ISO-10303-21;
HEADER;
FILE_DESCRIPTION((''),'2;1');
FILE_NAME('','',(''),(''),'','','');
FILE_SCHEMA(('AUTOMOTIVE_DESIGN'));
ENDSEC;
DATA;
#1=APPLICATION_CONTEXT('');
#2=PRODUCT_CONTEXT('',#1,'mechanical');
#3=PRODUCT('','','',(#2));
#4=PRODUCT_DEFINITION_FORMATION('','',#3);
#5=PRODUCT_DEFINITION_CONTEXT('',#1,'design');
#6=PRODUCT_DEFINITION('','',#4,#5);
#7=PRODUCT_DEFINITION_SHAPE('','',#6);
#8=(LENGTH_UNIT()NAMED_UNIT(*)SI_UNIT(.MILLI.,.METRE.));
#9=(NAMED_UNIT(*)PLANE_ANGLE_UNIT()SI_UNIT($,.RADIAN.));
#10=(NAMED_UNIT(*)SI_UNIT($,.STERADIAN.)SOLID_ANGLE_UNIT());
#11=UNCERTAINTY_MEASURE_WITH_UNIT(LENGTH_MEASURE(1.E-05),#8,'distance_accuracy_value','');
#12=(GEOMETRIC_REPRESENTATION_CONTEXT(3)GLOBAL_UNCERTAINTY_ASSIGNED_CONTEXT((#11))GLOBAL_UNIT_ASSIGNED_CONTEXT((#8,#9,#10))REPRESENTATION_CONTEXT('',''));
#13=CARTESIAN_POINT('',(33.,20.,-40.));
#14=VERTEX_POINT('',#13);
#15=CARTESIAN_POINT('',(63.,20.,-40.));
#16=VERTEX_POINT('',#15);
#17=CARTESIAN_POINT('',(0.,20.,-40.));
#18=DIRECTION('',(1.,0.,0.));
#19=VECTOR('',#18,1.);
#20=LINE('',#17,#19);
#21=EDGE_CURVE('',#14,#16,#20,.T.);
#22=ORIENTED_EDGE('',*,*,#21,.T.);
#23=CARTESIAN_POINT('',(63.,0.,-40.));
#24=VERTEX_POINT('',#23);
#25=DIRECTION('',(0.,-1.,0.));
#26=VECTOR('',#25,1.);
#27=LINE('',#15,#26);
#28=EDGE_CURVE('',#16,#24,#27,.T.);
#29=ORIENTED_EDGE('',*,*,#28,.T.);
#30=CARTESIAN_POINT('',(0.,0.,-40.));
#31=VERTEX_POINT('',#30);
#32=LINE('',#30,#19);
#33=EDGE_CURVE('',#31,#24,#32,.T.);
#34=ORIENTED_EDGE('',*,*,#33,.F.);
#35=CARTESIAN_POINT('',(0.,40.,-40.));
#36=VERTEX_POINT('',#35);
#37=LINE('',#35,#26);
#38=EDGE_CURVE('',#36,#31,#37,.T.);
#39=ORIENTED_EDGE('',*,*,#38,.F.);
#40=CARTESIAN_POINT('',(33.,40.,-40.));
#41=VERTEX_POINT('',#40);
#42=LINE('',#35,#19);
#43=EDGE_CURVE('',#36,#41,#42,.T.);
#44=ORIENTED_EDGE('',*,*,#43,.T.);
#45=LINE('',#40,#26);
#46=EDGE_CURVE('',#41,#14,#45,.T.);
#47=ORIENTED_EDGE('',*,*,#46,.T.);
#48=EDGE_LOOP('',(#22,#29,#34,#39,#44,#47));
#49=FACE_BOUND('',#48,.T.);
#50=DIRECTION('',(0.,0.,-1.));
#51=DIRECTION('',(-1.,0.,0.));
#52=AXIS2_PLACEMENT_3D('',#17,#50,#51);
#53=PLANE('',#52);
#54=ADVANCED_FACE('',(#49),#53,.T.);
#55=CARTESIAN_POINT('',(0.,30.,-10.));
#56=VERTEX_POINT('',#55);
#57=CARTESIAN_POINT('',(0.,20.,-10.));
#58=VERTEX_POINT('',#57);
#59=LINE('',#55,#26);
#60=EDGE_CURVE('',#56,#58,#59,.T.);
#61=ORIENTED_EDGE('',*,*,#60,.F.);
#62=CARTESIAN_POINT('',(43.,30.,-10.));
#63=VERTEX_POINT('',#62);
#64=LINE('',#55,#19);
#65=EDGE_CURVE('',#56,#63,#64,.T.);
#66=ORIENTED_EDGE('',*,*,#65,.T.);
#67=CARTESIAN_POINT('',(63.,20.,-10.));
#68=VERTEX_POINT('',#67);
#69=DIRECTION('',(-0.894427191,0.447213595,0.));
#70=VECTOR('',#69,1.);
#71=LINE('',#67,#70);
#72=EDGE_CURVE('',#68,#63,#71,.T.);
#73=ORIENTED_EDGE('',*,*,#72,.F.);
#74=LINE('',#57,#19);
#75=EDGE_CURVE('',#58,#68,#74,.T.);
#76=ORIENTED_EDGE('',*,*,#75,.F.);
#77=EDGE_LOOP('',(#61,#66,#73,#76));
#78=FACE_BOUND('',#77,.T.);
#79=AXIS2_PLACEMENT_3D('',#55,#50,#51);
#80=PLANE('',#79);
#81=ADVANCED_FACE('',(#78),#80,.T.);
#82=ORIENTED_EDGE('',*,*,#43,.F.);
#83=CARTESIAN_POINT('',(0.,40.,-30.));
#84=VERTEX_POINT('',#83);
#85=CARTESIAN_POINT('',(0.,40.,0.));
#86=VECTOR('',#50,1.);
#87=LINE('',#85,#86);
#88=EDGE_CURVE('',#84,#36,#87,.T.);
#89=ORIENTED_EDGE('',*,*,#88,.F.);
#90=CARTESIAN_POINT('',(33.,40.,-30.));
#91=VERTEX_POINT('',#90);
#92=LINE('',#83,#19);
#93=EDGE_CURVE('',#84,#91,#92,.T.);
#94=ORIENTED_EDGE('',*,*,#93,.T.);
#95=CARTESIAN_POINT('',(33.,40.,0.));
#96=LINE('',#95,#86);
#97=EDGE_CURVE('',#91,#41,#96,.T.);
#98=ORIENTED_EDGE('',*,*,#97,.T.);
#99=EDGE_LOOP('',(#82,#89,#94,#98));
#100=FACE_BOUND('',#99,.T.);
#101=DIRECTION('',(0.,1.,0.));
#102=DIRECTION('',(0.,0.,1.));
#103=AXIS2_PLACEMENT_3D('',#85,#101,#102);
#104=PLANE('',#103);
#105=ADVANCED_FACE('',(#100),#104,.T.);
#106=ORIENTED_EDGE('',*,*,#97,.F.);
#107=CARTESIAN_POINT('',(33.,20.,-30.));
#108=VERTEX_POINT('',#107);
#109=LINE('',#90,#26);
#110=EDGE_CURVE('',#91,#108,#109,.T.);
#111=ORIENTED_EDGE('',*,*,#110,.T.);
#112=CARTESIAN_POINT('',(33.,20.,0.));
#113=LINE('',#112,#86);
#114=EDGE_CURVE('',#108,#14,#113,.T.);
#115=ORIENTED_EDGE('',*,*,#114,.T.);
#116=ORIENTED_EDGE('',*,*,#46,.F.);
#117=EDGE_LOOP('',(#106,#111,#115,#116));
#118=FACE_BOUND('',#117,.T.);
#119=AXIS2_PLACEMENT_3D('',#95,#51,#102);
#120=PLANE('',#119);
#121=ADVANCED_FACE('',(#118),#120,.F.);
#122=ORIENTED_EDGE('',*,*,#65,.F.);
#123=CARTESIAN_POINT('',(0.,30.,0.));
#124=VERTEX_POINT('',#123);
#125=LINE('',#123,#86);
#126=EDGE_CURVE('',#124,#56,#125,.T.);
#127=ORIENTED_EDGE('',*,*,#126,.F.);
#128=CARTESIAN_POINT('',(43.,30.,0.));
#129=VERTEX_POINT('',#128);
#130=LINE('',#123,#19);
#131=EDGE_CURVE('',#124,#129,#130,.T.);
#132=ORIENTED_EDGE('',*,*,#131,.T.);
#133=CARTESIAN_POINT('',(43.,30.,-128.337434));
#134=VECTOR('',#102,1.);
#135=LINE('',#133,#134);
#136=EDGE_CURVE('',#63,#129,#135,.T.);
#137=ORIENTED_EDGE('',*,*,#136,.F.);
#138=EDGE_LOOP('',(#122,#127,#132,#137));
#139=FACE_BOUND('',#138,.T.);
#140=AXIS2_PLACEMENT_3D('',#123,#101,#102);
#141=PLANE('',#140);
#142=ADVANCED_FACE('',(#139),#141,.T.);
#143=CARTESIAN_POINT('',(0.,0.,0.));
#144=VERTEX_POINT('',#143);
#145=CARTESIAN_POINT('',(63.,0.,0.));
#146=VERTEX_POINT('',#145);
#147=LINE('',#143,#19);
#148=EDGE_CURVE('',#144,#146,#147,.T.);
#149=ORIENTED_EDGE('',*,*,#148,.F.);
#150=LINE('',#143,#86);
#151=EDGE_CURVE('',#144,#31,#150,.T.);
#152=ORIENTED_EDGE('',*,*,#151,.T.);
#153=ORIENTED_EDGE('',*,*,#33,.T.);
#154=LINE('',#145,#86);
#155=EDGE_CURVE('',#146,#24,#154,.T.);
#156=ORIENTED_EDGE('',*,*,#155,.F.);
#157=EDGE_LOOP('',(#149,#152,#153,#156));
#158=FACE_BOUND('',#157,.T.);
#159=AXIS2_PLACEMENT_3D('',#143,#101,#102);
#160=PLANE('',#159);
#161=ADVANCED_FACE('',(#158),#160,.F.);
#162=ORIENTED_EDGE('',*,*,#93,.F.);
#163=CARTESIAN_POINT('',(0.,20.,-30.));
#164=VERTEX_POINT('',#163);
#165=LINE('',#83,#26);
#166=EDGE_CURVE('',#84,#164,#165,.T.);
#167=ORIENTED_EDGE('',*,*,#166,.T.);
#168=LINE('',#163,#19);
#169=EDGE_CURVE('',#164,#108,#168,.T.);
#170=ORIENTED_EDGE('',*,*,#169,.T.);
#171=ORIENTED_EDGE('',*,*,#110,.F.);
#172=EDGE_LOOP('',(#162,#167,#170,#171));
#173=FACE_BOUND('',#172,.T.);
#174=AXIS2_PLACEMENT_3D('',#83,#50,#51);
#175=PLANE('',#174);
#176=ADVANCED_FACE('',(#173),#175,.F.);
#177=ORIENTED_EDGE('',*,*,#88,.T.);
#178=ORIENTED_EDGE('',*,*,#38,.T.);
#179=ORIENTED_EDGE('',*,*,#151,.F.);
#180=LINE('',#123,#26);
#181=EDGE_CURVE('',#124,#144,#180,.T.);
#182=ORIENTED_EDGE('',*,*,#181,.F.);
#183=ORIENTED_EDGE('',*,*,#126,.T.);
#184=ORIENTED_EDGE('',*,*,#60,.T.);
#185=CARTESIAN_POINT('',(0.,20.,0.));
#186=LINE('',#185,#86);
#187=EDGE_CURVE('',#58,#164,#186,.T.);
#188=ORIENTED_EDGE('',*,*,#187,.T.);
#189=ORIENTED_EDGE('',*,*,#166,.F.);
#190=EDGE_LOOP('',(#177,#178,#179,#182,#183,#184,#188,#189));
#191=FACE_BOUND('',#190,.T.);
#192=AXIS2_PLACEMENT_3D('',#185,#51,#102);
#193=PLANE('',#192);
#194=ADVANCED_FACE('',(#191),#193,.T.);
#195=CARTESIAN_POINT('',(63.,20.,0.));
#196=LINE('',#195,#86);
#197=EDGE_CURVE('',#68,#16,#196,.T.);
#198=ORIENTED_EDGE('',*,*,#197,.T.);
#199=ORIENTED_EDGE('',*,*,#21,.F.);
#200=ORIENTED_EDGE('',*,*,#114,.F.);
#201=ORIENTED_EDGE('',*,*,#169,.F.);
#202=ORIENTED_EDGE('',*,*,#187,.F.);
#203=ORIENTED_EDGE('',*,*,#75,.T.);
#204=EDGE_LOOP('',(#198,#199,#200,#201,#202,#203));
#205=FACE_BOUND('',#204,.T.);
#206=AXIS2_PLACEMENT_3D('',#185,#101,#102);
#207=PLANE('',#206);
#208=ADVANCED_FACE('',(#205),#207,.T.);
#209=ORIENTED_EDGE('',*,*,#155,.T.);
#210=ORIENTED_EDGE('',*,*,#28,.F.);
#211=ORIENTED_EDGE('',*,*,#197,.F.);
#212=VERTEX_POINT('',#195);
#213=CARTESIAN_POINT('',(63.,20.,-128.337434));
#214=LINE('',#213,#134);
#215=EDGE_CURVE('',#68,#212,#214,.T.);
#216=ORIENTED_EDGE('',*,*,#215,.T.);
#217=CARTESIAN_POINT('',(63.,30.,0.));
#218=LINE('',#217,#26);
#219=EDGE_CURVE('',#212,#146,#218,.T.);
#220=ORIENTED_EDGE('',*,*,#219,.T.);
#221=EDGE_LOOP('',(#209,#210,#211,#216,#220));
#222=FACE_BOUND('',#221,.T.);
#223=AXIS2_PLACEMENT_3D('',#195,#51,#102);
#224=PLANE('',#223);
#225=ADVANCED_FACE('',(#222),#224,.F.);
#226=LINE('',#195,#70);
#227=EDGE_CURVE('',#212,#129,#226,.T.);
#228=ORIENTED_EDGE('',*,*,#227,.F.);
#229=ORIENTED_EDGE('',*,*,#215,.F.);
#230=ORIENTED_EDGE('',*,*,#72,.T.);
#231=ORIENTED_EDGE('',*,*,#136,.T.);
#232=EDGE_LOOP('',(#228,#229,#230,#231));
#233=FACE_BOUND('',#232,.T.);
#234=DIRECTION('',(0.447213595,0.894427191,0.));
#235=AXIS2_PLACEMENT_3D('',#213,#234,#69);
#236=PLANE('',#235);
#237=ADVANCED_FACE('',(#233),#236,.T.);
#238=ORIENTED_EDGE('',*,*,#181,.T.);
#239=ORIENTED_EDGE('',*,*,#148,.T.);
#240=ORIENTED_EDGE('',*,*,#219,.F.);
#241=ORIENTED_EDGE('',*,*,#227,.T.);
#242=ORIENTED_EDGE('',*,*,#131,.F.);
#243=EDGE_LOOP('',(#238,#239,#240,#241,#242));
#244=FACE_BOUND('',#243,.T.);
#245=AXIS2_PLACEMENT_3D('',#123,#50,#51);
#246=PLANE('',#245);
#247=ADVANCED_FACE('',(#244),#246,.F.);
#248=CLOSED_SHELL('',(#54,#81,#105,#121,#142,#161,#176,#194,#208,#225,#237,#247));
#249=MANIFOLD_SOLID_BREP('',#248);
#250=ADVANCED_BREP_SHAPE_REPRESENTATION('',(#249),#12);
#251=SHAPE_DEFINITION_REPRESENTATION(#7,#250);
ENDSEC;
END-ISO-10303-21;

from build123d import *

# Parameters (mm, degrees)
BOSS_EXTRUDE1_DEPTH     = 20
SKETCH1_3_W             = 63
SKETCH1_3_H             = 10
BOSS_EXTRUDE2_DEPTH     = 30
SKETCH1_4_W             = 33
SKETCH1_4_H             = 10
BOSS_EXTRUDE3_DEPTH     = 40
CUT_EXTRUDE1_DEPTH      = 31
CUT_EXTRUDE1_DEPTH_BACK = 10


with BuildPart() as part:
    # Sketch1 → Boss-Extrude1 (new body)
    with BuildSketch(Plane(origin=(0, 0, 0), x_dir=(1, 0, 0), z_dir=(0, 1, 0))):
        Polygon((33, 30), (0, 30), (0, 10), (63, 10), (63, 40), (33, 40), align=None)
    extrude(amount=BOSS_EXTRUDE1_DEPTH)

    # Sketch1<3> → Boss-Extrude2 (add)
    with BuildSketch(Plane(origin=(0, 0, 0), x_dir=(1, 0, 0), z_dir=(0, 1, 0))):
        with Locations((31.5, 5)):
            Rectangle(SKETCH1_3_W, SKETCH1_3_H)
    extrude(amount=BOSS_EXTRUDE2_DEPTH)

    # Sketch1<4> → Boss-Extrude3 (add)
    with BuildSketch(Plane(origin=(0, 0, 0), x_dir=(1, 0, 0), z_dir=(0, 1, 0))):
        with Locations((16.5, 35)):
            Rectangle(SKETCH1_4_W, SKETCH1_4_H)
    extrude(amount=BOSS_EXTRUDE3_DEPTH)

    # Sketch2 → Cut-Extrude1 (cut, two sides)
    with BuildSketch(Plane(origin=(0, 0, -10), x_dir=(-1, 0, 0), z_dir=(0, 0, -1))) as cut_extrude1_sk:
        Polygon((-63, 30), (-63, 20), (-43, 30), align=None)
    extrude(amount=CUT_EXTRUDE1_DEPTH, mode=Mode.SUBTRACT)
    extrude(cut_extrude1_sk.sketch, amount=-CUT_EXTRUDE1_DEPTH_BACK, mode=Mode.SUBTRACT)


solid = part.part
